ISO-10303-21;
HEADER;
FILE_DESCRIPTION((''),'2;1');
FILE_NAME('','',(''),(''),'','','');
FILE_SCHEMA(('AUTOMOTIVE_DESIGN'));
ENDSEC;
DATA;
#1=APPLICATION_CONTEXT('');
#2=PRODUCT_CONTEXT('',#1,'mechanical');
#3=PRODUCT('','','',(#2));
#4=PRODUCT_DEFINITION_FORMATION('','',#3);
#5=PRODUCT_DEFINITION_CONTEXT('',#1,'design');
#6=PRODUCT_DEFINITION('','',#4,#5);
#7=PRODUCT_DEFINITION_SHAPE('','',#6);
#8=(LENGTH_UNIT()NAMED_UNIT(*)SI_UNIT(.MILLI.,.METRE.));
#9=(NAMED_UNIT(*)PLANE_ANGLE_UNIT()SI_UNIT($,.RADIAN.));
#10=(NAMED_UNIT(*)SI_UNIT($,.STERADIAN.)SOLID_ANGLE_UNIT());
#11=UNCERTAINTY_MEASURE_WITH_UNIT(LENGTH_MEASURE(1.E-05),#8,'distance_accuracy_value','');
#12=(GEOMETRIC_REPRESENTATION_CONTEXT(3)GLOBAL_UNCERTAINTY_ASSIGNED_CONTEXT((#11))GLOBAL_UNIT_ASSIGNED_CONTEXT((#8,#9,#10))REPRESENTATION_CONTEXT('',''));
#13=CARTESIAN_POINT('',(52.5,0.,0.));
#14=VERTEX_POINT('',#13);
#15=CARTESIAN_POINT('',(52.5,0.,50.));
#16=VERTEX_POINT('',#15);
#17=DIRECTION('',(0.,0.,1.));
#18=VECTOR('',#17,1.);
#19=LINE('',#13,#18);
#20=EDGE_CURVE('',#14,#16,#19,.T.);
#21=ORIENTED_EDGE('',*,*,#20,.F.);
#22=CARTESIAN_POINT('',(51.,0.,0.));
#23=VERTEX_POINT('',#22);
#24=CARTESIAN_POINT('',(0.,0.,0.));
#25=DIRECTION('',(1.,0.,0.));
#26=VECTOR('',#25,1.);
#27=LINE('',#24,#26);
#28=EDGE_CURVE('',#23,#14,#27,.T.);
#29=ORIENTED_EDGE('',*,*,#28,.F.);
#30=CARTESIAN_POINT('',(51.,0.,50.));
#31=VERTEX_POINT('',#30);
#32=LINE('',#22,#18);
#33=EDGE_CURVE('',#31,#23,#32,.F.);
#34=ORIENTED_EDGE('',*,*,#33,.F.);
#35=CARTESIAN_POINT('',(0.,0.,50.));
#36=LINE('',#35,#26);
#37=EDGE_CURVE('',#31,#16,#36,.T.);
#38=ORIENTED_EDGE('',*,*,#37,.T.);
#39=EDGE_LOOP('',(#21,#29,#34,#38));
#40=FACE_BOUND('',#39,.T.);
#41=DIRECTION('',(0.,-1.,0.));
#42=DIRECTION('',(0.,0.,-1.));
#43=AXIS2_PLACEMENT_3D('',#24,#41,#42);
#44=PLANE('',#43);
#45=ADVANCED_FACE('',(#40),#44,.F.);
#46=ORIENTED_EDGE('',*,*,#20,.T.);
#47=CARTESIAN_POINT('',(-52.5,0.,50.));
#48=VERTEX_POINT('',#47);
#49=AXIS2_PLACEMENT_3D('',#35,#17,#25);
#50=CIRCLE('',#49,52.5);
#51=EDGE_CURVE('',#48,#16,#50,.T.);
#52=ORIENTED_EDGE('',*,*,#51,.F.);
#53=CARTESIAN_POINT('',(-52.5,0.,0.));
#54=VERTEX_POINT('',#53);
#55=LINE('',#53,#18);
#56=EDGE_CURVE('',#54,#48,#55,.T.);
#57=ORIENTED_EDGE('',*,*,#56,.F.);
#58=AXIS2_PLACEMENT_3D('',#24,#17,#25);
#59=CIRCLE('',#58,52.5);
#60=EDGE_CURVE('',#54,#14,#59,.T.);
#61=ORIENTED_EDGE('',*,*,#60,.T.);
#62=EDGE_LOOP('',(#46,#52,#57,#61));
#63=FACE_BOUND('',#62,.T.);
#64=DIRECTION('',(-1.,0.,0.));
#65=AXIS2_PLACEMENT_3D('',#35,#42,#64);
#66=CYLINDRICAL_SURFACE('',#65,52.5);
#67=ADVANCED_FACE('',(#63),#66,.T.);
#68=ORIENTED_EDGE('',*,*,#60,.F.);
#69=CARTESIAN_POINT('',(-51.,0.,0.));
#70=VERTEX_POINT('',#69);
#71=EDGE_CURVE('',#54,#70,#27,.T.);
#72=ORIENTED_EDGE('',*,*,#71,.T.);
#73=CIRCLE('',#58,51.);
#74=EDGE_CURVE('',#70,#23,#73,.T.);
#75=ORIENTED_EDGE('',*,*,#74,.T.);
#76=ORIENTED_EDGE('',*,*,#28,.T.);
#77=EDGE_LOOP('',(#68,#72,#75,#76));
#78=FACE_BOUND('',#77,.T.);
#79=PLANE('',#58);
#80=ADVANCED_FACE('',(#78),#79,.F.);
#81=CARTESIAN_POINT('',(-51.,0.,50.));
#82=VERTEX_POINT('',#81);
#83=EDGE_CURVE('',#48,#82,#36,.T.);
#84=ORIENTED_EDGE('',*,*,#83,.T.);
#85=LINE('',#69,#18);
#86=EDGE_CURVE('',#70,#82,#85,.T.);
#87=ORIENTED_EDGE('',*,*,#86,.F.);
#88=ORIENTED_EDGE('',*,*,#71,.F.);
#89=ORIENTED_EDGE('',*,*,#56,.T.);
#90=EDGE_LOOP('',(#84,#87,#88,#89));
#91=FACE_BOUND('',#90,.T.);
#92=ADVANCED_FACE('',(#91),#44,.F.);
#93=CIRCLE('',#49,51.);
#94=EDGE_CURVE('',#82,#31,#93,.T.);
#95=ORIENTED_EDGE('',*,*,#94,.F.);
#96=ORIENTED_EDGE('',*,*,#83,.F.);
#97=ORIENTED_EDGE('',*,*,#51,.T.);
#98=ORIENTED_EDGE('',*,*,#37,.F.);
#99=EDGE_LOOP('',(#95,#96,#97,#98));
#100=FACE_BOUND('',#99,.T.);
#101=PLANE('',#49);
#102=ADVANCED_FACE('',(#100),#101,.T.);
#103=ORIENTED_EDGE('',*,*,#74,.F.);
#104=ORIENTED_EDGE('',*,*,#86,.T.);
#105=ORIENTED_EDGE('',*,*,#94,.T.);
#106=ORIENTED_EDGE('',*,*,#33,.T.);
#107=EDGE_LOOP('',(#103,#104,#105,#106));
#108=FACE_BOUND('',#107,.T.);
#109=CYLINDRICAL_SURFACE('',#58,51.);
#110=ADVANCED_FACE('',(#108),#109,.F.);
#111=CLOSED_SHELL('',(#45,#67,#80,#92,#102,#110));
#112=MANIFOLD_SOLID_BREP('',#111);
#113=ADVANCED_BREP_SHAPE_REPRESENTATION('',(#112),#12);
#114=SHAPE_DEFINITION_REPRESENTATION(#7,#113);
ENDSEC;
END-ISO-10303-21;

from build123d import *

# Parameters (mm, degrees)
ESQUISSE1_R             = 52.5
BOSS_EXTRU_1_DEPTH      = 50
ESQUISSE2_R             = 51
ENL_V_MAT_EXTRU_1_DEPTH = 90.51256895
ENL_V_MAT_EXTRU_2_DEPTH = 90.51256895


with BuildPart() as part:
    # Esquisse1 → Boss.-Extru.1 (new body)
    with BuildSketch(Plane.XY):
        Circle(ESQUISSE1_R)
    extrude(amount=BOSS_EXTRU_1_DEPTH)

    # Esquisse2 → Enlèv. mat.-Extru.1 (cut, through all)
    with BuildSketch(Plane.XY.offset(50)):
        Circle(ESQUISSE2_R)
    extrude(amount=-ENL_V_MAT_EXTRU_1_DEPTH, mode=Mode.SUBTRACT)

    # Esquisse3 → Enlèv. mat.-Extru.2 (cut, through all)
    with BuildSketch(Plane.XY.offset(50)):
        Polygon((-297.287137637, 0), (-52.5, 0), (52.5, 0), (297.287137637, 0), (297.287137637, 489.574275275), (-297.287137637, 489.574275275), align=None)
    extrude(amount=-ENL_V_MAT_EXTRU_2_DEPTH, mode=Mode.SUBTRACT)


solid = part.part
